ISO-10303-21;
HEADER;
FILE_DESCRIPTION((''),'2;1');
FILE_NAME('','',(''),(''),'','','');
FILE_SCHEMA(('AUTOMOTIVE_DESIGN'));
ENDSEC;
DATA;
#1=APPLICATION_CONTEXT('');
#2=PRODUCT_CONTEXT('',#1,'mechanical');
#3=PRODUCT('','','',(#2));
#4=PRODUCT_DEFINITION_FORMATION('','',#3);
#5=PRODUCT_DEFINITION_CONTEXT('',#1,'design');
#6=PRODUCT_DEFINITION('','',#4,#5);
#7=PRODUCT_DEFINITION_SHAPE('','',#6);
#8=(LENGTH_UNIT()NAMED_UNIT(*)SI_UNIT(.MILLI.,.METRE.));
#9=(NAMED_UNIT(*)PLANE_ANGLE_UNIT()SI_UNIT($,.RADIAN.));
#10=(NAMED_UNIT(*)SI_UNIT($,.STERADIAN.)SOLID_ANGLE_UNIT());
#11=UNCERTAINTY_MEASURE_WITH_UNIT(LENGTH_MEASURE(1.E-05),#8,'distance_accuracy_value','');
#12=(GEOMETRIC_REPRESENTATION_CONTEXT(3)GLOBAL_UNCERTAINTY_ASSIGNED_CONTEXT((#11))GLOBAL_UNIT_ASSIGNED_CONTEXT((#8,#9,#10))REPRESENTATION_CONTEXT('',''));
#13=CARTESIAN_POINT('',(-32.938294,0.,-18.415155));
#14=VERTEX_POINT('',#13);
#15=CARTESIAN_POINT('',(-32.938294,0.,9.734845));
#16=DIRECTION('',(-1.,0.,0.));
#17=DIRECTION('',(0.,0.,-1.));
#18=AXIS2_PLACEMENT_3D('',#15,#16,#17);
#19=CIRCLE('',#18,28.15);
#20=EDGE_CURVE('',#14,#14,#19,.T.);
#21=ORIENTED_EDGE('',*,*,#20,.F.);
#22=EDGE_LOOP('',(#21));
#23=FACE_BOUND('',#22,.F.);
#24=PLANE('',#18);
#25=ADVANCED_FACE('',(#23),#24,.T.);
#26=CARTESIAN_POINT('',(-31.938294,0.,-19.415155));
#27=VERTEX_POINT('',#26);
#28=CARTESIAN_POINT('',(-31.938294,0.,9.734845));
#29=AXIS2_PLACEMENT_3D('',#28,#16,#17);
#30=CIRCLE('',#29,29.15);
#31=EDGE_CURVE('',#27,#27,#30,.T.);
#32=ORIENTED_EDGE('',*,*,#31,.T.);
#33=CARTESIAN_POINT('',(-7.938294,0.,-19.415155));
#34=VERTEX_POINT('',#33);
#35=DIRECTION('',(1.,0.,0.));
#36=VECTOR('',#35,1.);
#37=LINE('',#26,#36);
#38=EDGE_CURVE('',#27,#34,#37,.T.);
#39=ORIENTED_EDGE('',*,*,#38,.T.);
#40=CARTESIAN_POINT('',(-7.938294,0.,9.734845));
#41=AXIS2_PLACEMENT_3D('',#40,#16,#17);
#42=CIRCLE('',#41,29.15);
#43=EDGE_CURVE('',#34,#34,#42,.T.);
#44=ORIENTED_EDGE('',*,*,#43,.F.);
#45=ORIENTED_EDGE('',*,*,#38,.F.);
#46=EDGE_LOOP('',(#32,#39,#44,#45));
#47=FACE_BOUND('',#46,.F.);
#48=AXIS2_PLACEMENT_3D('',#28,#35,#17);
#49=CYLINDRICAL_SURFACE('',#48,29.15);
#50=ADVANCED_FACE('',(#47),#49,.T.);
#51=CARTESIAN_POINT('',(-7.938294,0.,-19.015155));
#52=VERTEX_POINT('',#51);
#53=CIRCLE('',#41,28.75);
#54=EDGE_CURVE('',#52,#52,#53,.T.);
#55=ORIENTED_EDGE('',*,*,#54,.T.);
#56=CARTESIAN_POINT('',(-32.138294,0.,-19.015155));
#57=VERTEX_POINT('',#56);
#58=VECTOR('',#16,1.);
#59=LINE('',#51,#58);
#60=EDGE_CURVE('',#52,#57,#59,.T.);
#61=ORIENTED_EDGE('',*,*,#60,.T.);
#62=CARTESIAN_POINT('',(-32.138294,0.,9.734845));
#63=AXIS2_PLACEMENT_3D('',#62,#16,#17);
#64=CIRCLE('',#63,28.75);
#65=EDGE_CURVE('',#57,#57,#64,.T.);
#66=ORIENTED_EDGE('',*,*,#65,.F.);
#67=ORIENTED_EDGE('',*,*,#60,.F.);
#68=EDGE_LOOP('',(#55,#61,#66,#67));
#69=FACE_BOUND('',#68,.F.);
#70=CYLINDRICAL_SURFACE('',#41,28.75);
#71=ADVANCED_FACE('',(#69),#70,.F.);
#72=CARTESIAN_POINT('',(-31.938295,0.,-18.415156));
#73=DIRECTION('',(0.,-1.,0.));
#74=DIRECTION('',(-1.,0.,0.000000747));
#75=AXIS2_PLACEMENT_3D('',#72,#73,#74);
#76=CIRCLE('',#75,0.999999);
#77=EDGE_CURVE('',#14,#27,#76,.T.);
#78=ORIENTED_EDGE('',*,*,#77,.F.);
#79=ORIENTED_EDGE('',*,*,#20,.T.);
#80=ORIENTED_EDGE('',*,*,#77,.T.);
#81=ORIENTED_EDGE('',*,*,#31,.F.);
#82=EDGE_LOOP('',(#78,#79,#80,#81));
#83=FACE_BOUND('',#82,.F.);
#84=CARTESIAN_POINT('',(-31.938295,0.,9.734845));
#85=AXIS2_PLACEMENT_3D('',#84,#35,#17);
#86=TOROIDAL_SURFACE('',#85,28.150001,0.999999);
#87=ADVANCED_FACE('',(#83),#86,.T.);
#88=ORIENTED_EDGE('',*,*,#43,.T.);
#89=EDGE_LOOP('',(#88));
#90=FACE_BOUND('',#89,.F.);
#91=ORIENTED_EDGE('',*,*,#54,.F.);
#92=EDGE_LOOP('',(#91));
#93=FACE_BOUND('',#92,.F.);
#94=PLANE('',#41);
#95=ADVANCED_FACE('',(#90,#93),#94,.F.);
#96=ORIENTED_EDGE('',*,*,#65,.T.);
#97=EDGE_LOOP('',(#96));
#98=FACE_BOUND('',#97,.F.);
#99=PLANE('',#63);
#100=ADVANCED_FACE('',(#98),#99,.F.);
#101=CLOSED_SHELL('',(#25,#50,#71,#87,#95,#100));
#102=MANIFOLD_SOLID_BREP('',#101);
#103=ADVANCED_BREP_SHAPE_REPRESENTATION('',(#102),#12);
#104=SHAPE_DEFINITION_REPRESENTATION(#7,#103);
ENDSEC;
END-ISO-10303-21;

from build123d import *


with BuildPart() as f1:
    # F0 (on Front) → F1 (revolve)
    with BuildSketch(Plane.XZ):
        with BuildLine():
            ThreePointArc((-32.938294, -18.415155), (-32.645401, -19.122262), (-31.938294, -19.415155))
            Line((-31.938294, -19.415155), (-7.938294, -19.415155))
            Line((-7.938294, -19.415155), (-7.938294, -19.015155))
            Line((-7.938294, -19.015155), (-32.138294, -19.015155))
            Line((-32.138294, -19.015155), (-32.138294, 9.734845))
            Line((-32.138294, 9.734845), (-32.938294, 9.734845))
            Line((-32.938294, 9.734845), (-32.938294, -18.415155))
        make_face()
    revolve(axis=Axis((-32.538294, 0, 9.734845), (-1, 0, 0)))


solid = f1.part
